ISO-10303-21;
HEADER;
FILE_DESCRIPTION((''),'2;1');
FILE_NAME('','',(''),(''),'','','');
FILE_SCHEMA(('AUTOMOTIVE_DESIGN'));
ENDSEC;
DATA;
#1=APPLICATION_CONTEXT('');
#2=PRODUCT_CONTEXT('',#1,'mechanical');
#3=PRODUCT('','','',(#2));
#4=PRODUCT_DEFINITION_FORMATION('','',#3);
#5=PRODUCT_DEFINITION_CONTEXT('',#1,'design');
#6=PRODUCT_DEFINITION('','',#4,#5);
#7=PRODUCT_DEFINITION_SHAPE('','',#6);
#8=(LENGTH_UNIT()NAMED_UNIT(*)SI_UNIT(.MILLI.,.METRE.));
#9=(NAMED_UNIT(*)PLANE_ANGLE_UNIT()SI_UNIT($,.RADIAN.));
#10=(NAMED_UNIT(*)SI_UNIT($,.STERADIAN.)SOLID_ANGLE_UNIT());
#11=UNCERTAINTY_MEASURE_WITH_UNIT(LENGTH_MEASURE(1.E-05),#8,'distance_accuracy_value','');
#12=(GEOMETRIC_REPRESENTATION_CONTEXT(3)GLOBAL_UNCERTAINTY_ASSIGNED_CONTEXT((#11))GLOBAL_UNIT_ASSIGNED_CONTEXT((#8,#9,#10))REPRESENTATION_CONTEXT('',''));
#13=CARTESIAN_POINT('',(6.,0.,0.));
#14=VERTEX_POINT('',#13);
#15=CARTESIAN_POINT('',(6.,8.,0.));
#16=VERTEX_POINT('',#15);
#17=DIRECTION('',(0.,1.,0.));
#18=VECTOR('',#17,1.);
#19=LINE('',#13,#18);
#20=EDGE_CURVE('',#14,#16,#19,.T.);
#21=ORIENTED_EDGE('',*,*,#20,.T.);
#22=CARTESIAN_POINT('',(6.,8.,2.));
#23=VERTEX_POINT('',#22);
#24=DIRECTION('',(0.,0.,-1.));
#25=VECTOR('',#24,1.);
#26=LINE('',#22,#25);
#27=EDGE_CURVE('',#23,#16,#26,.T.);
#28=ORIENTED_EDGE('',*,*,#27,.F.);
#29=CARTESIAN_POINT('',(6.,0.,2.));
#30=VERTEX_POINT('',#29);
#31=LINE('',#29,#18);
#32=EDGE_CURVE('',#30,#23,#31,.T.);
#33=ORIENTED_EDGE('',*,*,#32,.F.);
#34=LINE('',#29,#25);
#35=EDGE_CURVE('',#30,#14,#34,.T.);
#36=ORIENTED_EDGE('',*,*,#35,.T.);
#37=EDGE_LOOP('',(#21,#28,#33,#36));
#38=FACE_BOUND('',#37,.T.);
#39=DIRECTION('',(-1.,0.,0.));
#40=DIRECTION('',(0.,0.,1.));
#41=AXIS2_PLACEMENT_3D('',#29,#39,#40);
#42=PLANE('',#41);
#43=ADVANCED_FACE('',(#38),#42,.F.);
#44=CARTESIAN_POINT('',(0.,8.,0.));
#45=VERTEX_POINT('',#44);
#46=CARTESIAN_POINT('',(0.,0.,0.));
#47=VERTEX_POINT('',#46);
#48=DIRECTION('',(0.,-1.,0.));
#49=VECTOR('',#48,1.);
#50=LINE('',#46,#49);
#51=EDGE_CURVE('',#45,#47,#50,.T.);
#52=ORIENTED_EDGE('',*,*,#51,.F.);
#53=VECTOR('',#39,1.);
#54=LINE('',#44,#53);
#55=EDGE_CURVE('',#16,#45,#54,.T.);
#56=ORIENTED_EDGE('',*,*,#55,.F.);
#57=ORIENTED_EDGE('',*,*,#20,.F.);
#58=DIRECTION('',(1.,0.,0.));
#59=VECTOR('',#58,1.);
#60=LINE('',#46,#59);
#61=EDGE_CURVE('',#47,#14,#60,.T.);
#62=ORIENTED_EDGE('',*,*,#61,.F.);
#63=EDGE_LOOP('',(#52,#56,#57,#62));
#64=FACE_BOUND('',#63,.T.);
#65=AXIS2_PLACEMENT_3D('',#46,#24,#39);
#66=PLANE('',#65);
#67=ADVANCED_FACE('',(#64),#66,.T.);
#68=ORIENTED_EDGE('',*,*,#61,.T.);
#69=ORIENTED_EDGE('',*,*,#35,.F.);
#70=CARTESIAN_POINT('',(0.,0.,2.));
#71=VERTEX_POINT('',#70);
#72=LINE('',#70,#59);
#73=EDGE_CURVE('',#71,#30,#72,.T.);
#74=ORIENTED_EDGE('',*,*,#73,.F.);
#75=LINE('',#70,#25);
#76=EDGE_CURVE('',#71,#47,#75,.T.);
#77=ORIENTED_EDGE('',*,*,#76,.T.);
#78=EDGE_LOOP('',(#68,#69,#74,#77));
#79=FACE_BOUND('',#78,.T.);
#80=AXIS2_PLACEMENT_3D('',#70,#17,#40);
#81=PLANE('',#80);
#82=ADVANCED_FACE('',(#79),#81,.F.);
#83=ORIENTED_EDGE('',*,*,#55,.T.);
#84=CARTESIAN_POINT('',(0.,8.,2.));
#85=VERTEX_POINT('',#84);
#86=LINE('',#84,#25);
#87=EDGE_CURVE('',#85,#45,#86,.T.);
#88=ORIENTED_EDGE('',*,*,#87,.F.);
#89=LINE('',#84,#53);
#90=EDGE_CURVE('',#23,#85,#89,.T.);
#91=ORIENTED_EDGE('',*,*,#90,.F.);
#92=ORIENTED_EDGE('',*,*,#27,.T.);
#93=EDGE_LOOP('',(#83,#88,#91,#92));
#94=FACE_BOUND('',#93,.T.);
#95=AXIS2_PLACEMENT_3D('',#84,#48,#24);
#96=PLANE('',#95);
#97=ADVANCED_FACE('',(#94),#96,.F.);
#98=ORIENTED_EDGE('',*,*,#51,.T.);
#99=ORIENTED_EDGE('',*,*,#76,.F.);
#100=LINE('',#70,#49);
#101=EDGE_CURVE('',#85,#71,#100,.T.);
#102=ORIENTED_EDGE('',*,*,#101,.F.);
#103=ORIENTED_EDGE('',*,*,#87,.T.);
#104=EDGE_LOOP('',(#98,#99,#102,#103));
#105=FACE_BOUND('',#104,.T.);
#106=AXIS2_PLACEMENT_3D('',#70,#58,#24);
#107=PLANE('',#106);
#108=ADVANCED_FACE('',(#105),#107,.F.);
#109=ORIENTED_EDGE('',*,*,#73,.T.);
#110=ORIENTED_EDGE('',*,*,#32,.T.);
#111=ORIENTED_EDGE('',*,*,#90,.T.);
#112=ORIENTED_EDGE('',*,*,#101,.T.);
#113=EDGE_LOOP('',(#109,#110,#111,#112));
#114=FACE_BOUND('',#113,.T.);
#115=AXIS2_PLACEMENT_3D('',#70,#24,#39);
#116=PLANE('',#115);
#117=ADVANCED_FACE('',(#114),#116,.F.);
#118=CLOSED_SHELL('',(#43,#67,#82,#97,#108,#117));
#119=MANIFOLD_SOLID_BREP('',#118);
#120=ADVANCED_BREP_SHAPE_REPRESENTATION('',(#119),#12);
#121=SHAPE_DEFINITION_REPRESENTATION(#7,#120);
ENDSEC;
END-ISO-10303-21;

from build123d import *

# Parameters (mm, degrees)
SKETCH1_W     = 6
SKETCH1_H     = 8
PROFILE_DEPTH = 2


with BuildPart() as part:
    # Sketch1 → Profile (new body)
    with BuildSketch(Plane.XY):
        with Locations((3, 4)):
            Rectangle(SKETCH1_W, SKETCH1_H)
    extrude(amount=PROFILE_DEPTH)


solid = part.part
